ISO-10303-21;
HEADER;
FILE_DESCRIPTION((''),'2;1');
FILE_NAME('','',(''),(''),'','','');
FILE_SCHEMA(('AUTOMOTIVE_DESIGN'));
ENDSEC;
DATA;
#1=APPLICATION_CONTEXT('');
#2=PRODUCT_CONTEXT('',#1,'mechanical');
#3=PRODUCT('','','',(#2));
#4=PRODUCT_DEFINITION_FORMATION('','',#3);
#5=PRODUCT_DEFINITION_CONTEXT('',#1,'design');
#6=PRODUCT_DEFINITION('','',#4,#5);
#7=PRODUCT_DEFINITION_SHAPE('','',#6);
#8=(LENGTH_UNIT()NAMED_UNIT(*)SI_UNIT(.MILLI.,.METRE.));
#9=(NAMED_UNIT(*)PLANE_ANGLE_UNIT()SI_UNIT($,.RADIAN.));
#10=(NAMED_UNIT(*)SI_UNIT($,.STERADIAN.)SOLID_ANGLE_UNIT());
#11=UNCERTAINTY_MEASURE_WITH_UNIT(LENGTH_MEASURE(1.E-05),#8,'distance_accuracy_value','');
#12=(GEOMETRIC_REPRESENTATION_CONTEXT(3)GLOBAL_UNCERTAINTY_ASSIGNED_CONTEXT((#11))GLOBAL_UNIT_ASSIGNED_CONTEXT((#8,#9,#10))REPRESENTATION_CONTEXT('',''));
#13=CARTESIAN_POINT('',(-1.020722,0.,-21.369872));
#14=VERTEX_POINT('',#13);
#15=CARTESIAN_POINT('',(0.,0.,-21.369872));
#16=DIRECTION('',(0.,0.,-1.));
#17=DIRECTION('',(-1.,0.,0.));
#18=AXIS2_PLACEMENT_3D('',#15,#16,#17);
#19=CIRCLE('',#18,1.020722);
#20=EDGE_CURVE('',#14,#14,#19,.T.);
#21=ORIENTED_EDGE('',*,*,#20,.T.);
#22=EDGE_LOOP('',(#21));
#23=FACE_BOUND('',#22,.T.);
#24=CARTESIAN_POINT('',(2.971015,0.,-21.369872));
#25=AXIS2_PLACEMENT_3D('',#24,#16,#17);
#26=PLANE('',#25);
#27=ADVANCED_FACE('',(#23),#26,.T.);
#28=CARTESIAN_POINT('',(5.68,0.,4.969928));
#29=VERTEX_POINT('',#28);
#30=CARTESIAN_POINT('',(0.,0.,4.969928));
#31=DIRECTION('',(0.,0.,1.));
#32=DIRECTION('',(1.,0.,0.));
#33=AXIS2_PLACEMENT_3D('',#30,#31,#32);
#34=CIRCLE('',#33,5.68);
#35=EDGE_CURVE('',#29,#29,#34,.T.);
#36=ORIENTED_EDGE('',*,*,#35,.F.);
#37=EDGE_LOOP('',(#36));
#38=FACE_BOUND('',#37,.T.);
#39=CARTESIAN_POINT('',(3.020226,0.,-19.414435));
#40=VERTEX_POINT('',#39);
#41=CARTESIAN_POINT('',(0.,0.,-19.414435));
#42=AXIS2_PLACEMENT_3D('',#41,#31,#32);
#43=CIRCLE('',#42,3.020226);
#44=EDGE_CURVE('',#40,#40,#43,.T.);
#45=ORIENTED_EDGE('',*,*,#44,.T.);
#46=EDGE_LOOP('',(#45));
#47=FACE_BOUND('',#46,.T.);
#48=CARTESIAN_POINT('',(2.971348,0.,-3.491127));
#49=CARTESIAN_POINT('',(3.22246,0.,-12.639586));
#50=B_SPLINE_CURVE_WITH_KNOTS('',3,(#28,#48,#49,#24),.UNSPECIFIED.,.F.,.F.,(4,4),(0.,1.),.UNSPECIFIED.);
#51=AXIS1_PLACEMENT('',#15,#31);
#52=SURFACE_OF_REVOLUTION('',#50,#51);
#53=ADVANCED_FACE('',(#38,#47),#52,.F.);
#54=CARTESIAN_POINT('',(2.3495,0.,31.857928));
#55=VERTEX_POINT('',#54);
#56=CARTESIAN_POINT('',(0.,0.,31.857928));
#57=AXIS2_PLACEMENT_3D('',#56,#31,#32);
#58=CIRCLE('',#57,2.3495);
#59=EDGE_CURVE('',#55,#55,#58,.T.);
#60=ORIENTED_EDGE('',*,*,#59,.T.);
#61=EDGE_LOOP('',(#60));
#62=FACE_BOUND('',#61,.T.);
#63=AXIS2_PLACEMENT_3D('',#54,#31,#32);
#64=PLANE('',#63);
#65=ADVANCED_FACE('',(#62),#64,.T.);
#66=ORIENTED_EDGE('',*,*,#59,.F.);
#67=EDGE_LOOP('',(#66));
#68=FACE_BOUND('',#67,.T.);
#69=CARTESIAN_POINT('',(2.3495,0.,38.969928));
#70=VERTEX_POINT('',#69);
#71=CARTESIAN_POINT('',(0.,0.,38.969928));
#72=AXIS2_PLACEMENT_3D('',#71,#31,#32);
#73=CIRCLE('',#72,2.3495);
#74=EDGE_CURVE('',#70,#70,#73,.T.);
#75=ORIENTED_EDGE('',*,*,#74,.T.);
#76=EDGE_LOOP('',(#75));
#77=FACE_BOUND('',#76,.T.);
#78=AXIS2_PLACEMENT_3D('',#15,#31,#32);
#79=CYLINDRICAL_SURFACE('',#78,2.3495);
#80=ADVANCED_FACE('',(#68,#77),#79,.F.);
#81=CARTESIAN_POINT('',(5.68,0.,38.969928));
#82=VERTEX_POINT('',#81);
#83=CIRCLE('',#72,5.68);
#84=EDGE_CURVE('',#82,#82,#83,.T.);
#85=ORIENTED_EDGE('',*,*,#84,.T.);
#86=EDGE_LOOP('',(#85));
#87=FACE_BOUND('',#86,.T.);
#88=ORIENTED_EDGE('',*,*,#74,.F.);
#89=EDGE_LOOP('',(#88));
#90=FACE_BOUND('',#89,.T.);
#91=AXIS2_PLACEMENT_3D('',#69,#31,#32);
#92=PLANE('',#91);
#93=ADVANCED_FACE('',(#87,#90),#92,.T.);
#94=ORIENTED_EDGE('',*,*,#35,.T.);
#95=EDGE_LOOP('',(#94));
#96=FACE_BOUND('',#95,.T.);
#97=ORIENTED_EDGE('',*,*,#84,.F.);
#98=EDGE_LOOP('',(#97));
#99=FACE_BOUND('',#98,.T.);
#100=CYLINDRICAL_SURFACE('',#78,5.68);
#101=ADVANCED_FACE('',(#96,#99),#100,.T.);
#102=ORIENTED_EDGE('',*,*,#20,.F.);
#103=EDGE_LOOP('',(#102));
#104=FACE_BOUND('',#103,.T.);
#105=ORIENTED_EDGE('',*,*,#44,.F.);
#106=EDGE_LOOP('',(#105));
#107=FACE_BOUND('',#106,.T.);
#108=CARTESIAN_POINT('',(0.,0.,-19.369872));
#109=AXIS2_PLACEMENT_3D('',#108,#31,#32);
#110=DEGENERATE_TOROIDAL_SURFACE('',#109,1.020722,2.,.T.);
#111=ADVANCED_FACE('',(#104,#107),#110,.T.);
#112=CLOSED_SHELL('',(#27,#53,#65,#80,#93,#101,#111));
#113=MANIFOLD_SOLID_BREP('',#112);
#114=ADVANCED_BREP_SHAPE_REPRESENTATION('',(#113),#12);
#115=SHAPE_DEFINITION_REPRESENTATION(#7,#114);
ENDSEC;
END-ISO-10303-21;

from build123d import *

# Parameters (mm, degrees)
FILLET1_R = 2


with BuildPart() as part:
    # Sketch1 → Revolve1 (revolve)
    with BuildSketch(Plane(origin=(0, 0, 0), x_dir=(1, 0, 0), z_dir=(0, 1, 0))):
        with BuildLine():
            Line((2.971015201, 21.369872107), (0, 21.369872107))
            Line((0, 21.369872107), (0, -31.857927965))
            Line((0, -31.857927965), (2.3495, -31.857927965))
            Line((2.3495, -31.857927965), (2.3495, -38.969927965))
            Line((2.3495, -38.969927965), (5.679999851, -38.969927965))
            Line((5.679999851, -38.969927965), (5.679999851, -4.969927893))
            add(Edge.make_bspline(
                [(2.971015201, 21.369872107), (3.222459796, 12.63958567), (2.971347644, 3.491126919), (5.679999851, -4.969927893)],
                knots=[0, 0, 0, 0, 1, 1, 1, 1], degree=3))
        make_face()
    revolve(axis=Axis((0, 0, -21.369872107), (0, 0, 1)))

    # Fillet1
    fillet1_edges = [part.edges().sort_by_distance(p)[0] for p in [
        (-2.971015201, 0, -21.369872107),
    ]]
    fillet(fillet1_edges, radius=FILLET1_R)


solid = part.part
